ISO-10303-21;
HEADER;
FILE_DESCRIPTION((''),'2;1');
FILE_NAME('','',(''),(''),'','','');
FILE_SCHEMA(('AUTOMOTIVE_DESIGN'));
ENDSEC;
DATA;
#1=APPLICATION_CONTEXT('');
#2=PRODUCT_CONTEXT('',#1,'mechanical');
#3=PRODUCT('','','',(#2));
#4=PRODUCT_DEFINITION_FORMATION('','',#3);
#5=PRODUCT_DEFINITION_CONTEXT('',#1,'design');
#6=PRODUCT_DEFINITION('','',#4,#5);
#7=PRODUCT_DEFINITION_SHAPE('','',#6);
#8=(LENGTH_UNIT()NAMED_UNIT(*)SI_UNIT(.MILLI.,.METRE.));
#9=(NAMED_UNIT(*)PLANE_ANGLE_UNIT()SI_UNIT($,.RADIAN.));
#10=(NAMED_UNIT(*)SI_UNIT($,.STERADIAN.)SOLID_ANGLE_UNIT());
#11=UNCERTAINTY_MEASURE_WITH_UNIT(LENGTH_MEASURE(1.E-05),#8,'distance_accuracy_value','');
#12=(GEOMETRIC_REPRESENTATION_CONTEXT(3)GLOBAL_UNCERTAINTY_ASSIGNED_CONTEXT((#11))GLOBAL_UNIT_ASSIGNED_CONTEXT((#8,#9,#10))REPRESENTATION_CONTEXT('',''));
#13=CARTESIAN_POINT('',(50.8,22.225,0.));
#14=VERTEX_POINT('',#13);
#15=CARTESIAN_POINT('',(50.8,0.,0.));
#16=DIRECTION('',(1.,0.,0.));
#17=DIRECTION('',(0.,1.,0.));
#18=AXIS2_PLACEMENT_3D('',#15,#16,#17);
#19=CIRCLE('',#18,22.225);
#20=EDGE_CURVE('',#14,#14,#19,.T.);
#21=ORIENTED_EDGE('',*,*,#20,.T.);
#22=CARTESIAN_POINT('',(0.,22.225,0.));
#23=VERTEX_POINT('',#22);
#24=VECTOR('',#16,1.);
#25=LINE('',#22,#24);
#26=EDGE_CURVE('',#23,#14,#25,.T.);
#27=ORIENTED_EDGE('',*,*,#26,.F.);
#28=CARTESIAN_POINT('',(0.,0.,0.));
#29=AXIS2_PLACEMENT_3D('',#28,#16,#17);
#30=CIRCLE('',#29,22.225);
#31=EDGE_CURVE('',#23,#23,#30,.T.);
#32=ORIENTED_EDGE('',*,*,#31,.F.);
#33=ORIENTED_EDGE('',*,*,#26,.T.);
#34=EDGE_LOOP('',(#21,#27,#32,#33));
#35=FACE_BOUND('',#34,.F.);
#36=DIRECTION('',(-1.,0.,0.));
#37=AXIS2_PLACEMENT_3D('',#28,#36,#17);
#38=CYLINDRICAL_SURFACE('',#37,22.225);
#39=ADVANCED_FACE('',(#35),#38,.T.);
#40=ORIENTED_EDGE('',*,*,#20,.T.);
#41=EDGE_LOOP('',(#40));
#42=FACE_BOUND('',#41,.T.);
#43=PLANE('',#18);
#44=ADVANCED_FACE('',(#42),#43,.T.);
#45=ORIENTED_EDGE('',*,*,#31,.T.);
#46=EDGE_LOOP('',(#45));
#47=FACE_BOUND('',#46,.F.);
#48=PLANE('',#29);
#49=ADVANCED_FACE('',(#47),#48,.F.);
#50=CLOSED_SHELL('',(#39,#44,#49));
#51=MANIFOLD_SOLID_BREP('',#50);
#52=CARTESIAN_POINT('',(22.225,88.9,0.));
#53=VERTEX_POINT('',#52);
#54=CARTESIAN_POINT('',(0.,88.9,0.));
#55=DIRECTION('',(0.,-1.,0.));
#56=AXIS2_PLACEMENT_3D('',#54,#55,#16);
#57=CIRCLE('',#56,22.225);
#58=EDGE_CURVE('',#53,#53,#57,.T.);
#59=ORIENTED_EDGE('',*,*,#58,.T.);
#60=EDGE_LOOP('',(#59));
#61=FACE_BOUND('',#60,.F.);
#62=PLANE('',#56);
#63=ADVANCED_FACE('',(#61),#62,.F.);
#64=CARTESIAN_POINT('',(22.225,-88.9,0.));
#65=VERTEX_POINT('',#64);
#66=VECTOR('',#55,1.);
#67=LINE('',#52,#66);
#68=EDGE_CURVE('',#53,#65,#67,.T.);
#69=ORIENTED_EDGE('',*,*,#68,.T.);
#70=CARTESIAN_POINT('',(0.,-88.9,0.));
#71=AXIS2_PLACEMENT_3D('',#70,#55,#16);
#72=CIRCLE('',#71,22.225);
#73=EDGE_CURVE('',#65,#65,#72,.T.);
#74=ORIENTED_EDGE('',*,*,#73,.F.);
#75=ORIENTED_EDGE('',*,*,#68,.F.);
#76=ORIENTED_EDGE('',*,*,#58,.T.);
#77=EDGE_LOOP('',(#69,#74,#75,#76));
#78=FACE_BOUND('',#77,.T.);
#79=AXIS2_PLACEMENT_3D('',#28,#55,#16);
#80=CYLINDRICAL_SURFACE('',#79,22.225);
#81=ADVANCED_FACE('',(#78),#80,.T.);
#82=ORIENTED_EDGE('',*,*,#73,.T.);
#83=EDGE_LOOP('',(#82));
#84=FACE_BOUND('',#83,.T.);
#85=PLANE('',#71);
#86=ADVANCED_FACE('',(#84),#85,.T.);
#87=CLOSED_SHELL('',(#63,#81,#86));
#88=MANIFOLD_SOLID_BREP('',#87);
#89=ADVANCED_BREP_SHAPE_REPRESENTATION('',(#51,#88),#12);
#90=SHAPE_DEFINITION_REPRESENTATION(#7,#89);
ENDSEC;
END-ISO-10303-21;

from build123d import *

# Parameters (mm, degrees)
F0_R     = 22.225
F1_DEPTH = 88.9
F2_R     = 22.225
F3_DEPTH = 50.8


with BuildPart() as f1:
    # F0 (on Front) → F1 (new body, symmetric)
    with BuildSketch(Plane.XZ):
        Circle(F0_R)
    extrude(amount=F1_DEPTH, both=True)


with BuildPart() as f3:
    # F2 (on Right) → F3 (new body)
    with BuildSketch(Plane.YZ):
        Circle(F2_R)
    extrude(amount=F3_DEPTH)


solid = Compound([f1.part, f3.part])
